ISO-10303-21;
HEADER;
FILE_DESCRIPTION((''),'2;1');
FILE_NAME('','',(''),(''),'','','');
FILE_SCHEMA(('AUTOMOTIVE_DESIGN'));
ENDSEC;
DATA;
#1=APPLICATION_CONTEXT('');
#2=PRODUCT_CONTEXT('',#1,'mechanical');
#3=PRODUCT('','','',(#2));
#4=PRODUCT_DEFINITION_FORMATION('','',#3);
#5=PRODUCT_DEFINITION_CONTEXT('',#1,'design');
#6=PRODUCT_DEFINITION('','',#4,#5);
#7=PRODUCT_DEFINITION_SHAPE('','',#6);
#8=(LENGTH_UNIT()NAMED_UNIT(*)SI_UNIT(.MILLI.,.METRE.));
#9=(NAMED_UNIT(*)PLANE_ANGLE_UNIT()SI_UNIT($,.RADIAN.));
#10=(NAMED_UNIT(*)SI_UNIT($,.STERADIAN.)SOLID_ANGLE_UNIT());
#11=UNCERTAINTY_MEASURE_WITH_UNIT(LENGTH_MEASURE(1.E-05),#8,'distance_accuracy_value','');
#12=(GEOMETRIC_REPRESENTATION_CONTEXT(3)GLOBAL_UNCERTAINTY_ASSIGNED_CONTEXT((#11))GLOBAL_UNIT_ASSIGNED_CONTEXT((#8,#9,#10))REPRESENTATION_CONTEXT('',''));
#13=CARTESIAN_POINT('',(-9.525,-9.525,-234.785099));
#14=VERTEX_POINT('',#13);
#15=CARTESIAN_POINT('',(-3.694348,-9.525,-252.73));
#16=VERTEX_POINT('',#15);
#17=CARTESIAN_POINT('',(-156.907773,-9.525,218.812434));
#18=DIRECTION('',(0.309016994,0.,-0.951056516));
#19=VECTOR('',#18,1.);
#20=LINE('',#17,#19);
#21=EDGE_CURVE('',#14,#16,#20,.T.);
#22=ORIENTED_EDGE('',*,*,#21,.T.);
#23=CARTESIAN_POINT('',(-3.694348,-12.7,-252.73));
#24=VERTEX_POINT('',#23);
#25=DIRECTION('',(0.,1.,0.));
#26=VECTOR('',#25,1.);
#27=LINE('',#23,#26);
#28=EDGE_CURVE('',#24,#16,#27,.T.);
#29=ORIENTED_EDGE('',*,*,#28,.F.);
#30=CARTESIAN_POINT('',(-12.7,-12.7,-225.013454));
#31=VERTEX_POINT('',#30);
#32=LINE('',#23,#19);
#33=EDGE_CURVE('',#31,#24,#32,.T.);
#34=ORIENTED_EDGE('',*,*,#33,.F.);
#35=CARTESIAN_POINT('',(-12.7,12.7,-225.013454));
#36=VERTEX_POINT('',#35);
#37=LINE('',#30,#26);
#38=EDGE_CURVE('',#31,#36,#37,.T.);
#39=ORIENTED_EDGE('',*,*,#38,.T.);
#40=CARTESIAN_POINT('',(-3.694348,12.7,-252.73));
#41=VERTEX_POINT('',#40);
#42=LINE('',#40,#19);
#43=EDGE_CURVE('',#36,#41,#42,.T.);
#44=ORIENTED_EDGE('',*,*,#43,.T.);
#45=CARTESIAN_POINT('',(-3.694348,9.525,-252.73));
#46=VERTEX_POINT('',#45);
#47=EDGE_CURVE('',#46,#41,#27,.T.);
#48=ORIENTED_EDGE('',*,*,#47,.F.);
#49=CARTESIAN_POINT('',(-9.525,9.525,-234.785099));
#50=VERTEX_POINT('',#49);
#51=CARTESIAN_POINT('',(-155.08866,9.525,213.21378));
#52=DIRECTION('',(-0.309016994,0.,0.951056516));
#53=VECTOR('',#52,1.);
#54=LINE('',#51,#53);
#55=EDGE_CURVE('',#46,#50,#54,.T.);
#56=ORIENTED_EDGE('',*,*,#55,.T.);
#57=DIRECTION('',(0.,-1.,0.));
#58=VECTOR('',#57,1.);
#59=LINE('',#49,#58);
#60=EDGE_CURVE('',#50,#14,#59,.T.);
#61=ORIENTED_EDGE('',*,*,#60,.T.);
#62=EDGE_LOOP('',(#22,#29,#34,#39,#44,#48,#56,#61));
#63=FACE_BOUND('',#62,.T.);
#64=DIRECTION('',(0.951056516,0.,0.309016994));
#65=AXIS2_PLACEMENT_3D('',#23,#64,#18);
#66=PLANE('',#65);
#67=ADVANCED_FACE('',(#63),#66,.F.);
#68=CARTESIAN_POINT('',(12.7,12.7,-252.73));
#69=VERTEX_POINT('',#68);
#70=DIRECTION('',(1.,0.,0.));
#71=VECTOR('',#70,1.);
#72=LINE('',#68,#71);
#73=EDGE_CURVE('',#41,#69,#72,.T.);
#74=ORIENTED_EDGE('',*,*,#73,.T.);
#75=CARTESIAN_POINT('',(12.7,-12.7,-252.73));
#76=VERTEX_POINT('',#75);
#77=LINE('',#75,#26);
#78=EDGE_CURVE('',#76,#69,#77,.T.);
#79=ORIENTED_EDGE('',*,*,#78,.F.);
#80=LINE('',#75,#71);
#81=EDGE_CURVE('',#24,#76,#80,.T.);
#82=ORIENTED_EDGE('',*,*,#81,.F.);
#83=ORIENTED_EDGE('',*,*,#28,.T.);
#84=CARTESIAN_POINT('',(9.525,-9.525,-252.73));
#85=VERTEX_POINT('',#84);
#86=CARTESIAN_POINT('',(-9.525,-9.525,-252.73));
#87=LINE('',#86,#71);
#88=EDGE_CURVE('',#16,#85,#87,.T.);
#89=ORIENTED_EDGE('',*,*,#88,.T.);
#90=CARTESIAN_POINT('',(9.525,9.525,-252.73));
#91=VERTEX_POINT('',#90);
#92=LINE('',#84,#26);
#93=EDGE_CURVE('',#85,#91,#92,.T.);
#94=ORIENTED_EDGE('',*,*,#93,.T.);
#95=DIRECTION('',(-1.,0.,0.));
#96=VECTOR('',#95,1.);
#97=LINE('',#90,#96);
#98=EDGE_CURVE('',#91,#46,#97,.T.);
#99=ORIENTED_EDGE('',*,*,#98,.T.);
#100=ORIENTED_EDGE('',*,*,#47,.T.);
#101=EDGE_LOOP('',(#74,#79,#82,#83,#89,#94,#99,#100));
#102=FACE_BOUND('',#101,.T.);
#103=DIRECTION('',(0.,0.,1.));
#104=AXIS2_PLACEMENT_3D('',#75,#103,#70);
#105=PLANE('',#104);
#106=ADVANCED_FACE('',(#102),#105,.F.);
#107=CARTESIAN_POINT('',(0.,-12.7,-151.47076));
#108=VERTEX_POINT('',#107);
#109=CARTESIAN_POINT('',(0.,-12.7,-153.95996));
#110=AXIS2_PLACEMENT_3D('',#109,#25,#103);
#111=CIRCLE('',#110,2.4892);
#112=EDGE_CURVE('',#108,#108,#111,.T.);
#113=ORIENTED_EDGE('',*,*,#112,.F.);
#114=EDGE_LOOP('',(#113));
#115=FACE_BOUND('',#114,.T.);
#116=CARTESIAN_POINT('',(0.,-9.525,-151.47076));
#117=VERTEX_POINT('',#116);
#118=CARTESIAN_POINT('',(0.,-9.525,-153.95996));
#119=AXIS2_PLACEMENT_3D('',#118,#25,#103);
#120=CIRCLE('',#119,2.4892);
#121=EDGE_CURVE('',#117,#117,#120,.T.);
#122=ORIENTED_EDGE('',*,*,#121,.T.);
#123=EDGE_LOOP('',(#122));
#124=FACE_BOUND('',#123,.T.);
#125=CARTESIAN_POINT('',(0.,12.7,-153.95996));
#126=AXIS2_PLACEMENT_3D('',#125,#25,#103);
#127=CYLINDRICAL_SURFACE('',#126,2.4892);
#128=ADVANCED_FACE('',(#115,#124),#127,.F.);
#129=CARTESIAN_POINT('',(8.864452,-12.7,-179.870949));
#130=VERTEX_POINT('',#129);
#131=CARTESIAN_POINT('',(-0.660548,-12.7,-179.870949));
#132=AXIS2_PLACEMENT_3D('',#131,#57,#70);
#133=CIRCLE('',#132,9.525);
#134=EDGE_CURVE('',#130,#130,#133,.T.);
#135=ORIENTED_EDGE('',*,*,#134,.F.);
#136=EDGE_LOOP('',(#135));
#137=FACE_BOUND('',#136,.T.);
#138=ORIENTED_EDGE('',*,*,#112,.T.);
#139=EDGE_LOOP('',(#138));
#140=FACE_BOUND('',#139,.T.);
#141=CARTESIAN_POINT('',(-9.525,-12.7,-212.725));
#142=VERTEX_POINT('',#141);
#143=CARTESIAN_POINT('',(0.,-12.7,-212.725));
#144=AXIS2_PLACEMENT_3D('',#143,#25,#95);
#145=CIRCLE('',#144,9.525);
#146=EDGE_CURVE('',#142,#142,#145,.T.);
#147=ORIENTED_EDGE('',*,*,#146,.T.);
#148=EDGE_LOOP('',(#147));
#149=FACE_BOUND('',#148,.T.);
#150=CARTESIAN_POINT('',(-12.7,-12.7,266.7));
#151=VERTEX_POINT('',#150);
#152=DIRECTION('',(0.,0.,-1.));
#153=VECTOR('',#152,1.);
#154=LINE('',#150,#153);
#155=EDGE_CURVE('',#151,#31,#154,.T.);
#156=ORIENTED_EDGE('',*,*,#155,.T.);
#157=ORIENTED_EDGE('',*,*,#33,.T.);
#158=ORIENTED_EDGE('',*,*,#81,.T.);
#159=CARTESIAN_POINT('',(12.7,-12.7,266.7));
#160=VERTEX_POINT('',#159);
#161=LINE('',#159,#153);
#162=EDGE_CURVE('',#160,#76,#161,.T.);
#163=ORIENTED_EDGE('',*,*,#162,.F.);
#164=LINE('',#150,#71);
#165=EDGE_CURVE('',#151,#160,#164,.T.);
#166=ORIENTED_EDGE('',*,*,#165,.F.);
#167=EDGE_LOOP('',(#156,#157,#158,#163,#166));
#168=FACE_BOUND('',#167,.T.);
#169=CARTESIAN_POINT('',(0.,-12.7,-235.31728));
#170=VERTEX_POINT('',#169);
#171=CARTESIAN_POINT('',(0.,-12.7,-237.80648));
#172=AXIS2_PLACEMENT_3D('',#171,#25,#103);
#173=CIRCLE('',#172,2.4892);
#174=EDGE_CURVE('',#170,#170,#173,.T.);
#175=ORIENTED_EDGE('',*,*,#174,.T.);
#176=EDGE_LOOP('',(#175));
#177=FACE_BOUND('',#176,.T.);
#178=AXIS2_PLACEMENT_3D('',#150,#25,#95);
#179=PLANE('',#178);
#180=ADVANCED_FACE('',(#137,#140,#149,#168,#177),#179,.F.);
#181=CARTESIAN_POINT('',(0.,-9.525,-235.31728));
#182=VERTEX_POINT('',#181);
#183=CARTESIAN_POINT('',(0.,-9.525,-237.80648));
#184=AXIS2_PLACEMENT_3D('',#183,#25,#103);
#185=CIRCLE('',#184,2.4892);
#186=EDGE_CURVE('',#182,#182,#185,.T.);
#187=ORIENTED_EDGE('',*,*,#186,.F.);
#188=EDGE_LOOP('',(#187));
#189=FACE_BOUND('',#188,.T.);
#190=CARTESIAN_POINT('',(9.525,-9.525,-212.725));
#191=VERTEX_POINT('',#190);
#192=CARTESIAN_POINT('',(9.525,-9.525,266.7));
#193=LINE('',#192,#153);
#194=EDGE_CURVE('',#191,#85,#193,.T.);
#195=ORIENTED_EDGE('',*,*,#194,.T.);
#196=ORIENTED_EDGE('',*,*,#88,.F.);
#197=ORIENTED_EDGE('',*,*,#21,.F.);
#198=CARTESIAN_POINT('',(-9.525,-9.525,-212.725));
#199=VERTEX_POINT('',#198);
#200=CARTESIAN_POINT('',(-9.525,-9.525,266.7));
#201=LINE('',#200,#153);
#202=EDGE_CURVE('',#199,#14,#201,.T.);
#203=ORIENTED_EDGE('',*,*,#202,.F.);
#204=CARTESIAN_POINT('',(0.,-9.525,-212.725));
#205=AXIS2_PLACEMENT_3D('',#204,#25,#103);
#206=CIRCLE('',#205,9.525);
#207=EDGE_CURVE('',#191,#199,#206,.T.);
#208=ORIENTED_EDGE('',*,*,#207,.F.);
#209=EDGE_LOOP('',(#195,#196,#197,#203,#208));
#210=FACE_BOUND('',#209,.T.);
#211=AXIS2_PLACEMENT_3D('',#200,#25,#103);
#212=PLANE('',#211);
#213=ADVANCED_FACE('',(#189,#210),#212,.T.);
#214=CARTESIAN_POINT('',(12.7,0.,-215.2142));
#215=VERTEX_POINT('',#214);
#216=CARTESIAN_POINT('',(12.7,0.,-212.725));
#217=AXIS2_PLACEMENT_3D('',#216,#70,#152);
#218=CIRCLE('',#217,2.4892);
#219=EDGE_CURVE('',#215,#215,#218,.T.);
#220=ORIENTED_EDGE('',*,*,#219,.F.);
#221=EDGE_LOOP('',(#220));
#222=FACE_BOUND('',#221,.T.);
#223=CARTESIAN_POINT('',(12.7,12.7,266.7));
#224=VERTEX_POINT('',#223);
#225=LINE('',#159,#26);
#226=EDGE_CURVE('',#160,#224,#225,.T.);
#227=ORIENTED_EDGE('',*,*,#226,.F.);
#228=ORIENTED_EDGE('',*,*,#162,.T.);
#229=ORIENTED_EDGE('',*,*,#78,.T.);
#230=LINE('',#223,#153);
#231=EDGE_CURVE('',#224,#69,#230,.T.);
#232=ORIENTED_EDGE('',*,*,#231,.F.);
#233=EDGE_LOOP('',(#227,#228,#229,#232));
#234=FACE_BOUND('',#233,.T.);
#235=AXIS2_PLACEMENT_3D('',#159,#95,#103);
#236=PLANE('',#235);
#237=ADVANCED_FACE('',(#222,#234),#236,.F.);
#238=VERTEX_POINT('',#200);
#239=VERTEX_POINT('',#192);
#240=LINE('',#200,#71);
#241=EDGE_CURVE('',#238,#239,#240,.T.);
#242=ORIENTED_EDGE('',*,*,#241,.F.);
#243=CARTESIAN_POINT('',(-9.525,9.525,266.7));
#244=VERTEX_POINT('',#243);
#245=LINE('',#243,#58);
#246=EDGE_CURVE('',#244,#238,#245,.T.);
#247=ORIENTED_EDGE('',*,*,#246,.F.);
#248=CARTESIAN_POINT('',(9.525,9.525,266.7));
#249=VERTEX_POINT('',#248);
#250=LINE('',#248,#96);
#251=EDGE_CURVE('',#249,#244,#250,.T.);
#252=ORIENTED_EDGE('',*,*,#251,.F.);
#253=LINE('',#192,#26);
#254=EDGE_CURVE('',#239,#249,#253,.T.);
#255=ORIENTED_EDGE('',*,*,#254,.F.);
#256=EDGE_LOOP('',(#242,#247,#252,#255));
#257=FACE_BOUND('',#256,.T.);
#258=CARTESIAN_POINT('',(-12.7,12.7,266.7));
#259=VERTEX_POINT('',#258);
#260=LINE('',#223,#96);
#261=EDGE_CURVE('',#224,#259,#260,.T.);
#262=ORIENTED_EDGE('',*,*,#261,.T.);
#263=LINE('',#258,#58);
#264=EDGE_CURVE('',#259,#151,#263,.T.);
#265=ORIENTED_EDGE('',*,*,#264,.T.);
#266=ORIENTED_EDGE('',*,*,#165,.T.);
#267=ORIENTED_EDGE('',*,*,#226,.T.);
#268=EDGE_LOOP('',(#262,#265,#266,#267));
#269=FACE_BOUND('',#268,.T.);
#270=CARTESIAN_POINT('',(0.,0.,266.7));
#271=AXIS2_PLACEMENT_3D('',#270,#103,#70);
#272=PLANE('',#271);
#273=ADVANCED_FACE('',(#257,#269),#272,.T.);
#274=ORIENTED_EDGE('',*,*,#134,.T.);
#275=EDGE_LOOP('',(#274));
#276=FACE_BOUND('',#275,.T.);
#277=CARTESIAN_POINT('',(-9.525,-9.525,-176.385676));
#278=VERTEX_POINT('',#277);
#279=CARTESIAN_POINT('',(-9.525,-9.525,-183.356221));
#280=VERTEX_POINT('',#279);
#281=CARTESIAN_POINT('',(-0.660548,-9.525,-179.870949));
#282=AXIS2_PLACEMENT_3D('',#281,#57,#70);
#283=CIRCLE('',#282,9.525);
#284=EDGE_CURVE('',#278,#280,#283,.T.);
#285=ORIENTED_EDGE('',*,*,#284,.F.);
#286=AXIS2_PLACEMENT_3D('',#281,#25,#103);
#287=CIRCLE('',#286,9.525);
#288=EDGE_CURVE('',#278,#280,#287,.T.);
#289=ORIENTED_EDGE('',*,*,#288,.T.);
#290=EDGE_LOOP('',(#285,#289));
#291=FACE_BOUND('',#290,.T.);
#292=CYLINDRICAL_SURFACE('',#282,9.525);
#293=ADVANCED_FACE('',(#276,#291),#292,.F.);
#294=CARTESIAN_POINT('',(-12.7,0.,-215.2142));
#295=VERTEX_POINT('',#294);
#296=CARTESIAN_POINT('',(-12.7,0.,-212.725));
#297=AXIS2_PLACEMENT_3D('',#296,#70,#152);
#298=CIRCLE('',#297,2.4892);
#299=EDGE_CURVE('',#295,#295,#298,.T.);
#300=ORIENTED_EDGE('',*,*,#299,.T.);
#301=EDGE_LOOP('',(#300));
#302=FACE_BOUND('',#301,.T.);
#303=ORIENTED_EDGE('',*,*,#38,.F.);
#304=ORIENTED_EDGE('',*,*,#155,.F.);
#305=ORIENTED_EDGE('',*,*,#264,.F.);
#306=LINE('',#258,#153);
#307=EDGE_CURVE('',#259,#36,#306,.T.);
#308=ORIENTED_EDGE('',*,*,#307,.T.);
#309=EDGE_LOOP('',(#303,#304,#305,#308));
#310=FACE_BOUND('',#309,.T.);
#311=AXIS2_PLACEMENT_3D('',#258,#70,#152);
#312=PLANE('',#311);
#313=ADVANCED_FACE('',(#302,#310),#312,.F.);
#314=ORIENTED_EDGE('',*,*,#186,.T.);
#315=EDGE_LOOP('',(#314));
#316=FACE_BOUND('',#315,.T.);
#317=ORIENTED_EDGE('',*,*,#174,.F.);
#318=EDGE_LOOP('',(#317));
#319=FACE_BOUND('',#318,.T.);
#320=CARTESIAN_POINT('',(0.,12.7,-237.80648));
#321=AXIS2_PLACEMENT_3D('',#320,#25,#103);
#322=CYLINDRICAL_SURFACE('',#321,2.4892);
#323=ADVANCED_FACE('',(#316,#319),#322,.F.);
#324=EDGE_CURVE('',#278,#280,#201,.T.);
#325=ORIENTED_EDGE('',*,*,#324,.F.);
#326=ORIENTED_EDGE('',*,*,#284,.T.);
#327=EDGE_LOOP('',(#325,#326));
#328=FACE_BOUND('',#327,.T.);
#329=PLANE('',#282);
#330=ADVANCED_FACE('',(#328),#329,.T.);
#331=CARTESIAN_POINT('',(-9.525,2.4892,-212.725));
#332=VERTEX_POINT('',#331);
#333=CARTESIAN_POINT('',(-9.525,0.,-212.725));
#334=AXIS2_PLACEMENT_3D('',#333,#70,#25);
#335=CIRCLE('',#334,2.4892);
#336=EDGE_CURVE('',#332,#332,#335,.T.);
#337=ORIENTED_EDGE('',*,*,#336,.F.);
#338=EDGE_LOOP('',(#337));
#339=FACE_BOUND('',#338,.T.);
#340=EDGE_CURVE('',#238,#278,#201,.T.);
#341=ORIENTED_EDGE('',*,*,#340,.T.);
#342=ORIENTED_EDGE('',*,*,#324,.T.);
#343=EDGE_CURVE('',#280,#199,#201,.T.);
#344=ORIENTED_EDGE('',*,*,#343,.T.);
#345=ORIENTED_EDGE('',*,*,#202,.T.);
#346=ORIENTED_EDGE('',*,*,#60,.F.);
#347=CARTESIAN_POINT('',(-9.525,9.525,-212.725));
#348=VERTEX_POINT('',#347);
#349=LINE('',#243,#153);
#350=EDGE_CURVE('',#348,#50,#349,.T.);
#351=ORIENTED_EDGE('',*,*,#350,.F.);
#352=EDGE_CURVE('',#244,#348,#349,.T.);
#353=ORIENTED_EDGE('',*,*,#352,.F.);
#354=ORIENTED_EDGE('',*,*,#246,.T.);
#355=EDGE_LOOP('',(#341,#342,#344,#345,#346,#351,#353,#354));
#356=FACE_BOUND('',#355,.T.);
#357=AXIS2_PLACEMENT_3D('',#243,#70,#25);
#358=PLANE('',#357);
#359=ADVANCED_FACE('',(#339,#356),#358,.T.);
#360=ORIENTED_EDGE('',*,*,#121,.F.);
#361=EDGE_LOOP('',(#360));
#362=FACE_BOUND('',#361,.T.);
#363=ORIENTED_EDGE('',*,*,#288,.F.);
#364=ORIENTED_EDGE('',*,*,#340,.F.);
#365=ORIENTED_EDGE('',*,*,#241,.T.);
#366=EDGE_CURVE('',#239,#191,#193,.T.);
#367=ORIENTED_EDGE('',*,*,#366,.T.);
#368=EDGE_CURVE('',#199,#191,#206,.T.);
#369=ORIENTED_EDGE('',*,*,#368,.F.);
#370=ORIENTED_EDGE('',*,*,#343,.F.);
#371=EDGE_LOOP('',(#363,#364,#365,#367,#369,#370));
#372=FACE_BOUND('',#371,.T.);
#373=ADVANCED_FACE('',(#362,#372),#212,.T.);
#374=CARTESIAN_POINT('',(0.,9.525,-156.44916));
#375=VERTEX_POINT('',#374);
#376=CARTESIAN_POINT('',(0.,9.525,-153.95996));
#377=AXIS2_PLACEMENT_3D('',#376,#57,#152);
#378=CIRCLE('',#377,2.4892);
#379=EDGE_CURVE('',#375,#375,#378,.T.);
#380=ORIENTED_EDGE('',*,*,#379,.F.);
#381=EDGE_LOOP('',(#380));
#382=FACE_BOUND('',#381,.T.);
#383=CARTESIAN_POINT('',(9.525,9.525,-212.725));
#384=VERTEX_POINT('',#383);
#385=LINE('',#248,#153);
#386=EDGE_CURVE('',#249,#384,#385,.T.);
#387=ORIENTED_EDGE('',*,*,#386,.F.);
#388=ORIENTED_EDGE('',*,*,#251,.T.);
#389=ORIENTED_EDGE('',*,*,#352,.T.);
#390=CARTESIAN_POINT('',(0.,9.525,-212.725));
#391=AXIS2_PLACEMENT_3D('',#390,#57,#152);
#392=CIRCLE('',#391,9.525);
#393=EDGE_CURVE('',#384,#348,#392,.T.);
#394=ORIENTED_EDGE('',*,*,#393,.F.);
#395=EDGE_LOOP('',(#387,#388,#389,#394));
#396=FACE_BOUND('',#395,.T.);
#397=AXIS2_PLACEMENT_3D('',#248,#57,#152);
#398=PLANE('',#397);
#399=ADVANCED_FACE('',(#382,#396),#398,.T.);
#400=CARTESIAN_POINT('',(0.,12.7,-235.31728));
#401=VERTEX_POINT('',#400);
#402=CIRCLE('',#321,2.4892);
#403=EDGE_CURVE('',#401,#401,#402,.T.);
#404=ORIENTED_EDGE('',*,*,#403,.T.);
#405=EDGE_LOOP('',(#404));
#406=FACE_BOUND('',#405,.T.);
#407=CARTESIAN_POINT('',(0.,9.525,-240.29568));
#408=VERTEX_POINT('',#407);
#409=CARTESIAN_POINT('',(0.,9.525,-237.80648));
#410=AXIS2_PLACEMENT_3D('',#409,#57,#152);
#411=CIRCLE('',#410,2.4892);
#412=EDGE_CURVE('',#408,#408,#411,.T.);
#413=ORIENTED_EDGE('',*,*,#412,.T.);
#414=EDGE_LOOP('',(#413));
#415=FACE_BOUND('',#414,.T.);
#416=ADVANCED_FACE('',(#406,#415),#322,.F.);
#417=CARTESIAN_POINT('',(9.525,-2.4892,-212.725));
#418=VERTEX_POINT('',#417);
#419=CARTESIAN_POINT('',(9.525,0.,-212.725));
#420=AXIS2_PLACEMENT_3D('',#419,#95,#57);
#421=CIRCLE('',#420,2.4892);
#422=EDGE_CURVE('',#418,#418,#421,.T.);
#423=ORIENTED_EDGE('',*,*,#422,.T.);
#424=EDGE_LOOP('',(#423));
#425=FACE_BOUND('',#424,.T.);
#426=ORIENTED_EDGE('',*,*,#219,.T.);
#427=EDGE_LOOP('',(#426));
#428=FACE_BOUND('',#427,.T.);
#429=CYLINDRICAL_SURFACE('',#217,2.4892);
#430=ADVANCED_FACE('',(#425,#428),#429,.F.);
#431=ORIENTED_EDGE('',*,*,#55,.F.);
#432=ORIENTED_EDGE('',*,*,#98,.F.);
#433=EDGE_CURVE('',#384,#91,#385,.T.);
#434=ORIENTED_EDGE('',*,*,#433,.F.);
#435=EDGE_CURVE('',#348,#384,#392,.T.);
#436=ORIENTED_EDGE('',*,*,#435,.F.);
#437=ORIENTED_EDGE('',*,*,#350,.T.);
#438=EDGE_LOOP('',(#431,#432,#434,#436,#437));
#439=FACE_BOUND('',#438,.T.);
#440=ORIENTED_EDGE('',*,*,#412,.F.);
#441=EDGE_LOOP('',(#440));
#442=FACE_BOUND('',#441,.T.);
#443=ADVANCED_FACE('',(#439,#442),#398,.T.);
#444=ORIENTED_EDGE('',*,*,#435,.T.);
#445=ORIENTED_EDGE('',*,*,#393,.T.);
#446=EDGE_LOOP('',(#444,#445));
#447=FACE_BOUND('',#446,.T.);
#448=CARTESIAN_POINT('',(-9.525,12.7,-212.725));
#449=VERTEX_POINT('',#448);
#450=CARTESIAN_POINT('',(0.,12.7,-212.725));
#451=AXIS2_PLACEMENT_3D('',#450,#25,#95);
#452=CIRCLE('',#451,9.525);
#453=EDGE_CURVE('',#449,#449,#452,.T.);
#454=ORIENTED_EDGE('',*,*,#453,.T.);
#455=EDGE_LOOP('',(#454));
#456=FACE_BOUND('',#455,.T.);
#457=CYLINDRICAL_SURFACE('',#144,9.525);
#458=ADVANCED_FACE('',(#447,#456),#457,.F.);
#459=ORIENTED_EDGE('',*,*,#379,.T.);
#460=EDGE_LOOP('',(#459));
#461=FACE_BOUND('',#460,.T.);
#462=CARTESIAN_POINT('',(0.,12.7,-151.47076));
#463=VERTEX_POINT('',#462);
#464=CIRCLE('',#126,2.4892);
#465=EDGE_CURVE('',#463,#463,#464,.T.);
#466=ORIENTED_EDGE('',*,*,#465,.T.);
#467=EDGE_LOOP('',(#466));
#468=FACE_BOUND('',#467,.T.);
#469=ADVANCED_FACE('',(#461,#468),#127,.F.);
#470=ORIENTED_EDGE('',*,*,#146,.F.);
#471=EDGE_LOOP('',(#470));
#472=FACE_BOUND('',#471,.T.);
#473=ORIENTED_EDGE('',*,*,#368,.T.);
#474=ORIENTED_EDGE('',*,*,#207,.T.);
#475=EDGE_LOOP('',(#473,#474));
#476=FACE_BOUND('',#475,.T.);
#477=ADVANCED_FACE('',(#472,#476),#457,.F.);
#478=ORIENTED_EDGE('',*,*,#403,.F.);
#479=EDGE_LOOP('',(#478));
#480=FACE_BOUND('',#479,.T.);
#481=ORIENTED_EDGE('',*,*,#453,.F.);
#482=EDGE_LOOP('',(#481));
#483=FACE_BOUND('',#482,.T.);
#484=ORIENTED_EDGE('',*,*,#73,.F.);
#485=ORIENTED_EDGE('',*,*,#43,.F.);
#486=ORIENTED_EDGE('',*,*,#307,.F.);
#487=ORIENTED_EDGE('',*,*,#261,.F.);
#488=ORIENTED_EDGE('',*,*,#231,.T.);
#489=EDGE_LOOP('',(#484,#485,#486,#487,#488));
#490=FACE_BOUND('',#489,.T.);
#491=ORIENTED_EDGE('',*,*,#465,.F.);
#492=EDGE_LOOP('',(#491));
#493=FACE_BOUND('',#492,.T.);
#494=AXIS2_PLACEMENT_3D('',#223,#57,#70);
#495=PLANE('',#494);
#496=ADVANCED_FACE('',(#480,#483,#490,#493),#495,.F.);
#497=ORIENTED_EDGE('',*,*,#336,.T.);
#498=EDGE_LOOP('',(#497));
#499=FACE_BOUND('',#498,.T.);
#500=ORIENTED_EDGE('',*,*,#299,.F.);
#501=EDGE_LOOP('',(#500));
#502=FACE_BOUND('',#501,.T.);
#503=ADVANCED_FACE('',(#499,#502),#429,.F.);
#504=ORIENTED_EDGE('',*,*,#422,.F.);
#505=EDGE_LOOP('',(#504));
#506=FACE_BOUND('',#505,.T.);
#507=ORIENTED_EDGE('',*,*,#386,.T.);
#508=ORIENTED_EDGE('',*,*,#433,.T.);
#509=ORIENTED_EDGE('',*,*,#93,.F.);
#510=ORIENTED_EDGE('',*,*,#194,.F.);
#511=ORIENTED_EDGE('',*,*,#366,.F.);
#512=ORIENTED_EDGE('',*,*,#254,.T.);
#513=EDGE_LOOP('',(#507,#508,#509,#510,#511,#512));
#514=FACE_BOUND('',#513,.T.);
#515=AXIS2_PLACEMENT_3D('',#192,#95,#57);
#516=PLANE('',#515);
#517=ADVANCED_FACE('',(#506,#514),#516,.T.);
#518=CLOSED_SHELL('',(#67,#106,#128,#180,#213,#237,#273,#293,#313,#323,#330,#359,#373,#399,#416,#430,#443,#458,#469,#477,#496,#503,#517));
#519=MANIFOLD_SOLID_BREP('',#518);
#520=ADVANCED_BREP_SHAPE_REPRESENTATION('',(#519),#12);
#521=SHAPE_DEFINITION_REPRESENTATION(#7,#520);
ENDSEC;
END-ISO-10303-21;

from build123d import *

# Parameters (mm, degrees)
BOSS_EXTRUDE1_DEPTH      = 266.7
BOSS_EXTRUDE1_DEPTH_BACK = 266.7
SKETCH3_W                = 25.4
SKETCH3_H                = 25.4
SKETCH3_W_2              = 19.05
SKETCH3_H_2              = 19.05
SKETCH4_R                = 9.525
CUT_EXTRUDE1_DEPTH       = 25.4
SKETCH5_R                = 9.525
CUT_EXTRUDE2_DEPTH       = 3.175
F_10_CLEARANCE_HOLE1_D   = 4.9784
F_10_CLEARANCE_HOLE2_D   = 4.9784


with BuildPart() as part:
    # Sketch3 → Boss-Extrude1 (new, two sides: drawn at the far end of the back side and taken through both)
    with BuildSketch(Plane.XY.offset(-BOSS_EXTRUDE1_DEPTH_BACK)):
        Rectangle(SKETCH3_W, SKETCH3_H)
        Rectangle(SKETCH3_W_2, SKETCH3_H_2, mode=Mode.SUBTRACT)
    extrude(amount=BOSS_EXTRUDE1_DEPTH + BOSS_EXTRUDE1_DEPTH_BACK)

    # Sketch4 → Cut-Extrude1 (cut)
    with BuildSketch(Plane(origin=(0, 12.7, 0), x_dir=(1, 0, 0), z_dir=(0, 1, 0))):
        with Locations(Location((0, 212.725, 0), (0, 0, 180))):
            Circle(SKETCH4_R)
        Polygon((-12.7, 225.013453558), (-12.7, 266.7), (12.7, 266.7), (12.7, 252.73), (-3.69434815, 252.73), align=None)
    extrude(amount=-CUT_EXTRUDE1_DEPTH, mode=Mode.SUBTRACT)

    # Sketch5 → Cut-Extrude2 (cut)
    with BuildSketch(Plane.XZ.offset(12.7)):
        with Locations((-0.660548484, -179.870948658)):
            Circle(SKETCH5_R)
    extrude(amount=-CUT_EXTRUDE2_DEPTH, mode=Mode.SUBTRACT)

    # #10 Clearance Hole1 (through all)
    with Locations(Plane(origin=(12.7, 0, 0), x_dir=(0, 0, -1), z_dir=(1, 0, 0))):
        with Locations((212.725, 0)):
            Hole(F_10_CLEARANCE_HOLE1_D / 2)

    # #10 Clearance Hole2 (through all)
    with Locations(Plane(origin=(0, 12.7, 0), x_dir=(1, 0, 0), z_dir=(0, 1, 0))):
        with Locations((0, 153.95996007), (0, 237.806480142)):
            Hole(F_10_CLEARANCE_HOLE2_D / 2)


solid = part.part
